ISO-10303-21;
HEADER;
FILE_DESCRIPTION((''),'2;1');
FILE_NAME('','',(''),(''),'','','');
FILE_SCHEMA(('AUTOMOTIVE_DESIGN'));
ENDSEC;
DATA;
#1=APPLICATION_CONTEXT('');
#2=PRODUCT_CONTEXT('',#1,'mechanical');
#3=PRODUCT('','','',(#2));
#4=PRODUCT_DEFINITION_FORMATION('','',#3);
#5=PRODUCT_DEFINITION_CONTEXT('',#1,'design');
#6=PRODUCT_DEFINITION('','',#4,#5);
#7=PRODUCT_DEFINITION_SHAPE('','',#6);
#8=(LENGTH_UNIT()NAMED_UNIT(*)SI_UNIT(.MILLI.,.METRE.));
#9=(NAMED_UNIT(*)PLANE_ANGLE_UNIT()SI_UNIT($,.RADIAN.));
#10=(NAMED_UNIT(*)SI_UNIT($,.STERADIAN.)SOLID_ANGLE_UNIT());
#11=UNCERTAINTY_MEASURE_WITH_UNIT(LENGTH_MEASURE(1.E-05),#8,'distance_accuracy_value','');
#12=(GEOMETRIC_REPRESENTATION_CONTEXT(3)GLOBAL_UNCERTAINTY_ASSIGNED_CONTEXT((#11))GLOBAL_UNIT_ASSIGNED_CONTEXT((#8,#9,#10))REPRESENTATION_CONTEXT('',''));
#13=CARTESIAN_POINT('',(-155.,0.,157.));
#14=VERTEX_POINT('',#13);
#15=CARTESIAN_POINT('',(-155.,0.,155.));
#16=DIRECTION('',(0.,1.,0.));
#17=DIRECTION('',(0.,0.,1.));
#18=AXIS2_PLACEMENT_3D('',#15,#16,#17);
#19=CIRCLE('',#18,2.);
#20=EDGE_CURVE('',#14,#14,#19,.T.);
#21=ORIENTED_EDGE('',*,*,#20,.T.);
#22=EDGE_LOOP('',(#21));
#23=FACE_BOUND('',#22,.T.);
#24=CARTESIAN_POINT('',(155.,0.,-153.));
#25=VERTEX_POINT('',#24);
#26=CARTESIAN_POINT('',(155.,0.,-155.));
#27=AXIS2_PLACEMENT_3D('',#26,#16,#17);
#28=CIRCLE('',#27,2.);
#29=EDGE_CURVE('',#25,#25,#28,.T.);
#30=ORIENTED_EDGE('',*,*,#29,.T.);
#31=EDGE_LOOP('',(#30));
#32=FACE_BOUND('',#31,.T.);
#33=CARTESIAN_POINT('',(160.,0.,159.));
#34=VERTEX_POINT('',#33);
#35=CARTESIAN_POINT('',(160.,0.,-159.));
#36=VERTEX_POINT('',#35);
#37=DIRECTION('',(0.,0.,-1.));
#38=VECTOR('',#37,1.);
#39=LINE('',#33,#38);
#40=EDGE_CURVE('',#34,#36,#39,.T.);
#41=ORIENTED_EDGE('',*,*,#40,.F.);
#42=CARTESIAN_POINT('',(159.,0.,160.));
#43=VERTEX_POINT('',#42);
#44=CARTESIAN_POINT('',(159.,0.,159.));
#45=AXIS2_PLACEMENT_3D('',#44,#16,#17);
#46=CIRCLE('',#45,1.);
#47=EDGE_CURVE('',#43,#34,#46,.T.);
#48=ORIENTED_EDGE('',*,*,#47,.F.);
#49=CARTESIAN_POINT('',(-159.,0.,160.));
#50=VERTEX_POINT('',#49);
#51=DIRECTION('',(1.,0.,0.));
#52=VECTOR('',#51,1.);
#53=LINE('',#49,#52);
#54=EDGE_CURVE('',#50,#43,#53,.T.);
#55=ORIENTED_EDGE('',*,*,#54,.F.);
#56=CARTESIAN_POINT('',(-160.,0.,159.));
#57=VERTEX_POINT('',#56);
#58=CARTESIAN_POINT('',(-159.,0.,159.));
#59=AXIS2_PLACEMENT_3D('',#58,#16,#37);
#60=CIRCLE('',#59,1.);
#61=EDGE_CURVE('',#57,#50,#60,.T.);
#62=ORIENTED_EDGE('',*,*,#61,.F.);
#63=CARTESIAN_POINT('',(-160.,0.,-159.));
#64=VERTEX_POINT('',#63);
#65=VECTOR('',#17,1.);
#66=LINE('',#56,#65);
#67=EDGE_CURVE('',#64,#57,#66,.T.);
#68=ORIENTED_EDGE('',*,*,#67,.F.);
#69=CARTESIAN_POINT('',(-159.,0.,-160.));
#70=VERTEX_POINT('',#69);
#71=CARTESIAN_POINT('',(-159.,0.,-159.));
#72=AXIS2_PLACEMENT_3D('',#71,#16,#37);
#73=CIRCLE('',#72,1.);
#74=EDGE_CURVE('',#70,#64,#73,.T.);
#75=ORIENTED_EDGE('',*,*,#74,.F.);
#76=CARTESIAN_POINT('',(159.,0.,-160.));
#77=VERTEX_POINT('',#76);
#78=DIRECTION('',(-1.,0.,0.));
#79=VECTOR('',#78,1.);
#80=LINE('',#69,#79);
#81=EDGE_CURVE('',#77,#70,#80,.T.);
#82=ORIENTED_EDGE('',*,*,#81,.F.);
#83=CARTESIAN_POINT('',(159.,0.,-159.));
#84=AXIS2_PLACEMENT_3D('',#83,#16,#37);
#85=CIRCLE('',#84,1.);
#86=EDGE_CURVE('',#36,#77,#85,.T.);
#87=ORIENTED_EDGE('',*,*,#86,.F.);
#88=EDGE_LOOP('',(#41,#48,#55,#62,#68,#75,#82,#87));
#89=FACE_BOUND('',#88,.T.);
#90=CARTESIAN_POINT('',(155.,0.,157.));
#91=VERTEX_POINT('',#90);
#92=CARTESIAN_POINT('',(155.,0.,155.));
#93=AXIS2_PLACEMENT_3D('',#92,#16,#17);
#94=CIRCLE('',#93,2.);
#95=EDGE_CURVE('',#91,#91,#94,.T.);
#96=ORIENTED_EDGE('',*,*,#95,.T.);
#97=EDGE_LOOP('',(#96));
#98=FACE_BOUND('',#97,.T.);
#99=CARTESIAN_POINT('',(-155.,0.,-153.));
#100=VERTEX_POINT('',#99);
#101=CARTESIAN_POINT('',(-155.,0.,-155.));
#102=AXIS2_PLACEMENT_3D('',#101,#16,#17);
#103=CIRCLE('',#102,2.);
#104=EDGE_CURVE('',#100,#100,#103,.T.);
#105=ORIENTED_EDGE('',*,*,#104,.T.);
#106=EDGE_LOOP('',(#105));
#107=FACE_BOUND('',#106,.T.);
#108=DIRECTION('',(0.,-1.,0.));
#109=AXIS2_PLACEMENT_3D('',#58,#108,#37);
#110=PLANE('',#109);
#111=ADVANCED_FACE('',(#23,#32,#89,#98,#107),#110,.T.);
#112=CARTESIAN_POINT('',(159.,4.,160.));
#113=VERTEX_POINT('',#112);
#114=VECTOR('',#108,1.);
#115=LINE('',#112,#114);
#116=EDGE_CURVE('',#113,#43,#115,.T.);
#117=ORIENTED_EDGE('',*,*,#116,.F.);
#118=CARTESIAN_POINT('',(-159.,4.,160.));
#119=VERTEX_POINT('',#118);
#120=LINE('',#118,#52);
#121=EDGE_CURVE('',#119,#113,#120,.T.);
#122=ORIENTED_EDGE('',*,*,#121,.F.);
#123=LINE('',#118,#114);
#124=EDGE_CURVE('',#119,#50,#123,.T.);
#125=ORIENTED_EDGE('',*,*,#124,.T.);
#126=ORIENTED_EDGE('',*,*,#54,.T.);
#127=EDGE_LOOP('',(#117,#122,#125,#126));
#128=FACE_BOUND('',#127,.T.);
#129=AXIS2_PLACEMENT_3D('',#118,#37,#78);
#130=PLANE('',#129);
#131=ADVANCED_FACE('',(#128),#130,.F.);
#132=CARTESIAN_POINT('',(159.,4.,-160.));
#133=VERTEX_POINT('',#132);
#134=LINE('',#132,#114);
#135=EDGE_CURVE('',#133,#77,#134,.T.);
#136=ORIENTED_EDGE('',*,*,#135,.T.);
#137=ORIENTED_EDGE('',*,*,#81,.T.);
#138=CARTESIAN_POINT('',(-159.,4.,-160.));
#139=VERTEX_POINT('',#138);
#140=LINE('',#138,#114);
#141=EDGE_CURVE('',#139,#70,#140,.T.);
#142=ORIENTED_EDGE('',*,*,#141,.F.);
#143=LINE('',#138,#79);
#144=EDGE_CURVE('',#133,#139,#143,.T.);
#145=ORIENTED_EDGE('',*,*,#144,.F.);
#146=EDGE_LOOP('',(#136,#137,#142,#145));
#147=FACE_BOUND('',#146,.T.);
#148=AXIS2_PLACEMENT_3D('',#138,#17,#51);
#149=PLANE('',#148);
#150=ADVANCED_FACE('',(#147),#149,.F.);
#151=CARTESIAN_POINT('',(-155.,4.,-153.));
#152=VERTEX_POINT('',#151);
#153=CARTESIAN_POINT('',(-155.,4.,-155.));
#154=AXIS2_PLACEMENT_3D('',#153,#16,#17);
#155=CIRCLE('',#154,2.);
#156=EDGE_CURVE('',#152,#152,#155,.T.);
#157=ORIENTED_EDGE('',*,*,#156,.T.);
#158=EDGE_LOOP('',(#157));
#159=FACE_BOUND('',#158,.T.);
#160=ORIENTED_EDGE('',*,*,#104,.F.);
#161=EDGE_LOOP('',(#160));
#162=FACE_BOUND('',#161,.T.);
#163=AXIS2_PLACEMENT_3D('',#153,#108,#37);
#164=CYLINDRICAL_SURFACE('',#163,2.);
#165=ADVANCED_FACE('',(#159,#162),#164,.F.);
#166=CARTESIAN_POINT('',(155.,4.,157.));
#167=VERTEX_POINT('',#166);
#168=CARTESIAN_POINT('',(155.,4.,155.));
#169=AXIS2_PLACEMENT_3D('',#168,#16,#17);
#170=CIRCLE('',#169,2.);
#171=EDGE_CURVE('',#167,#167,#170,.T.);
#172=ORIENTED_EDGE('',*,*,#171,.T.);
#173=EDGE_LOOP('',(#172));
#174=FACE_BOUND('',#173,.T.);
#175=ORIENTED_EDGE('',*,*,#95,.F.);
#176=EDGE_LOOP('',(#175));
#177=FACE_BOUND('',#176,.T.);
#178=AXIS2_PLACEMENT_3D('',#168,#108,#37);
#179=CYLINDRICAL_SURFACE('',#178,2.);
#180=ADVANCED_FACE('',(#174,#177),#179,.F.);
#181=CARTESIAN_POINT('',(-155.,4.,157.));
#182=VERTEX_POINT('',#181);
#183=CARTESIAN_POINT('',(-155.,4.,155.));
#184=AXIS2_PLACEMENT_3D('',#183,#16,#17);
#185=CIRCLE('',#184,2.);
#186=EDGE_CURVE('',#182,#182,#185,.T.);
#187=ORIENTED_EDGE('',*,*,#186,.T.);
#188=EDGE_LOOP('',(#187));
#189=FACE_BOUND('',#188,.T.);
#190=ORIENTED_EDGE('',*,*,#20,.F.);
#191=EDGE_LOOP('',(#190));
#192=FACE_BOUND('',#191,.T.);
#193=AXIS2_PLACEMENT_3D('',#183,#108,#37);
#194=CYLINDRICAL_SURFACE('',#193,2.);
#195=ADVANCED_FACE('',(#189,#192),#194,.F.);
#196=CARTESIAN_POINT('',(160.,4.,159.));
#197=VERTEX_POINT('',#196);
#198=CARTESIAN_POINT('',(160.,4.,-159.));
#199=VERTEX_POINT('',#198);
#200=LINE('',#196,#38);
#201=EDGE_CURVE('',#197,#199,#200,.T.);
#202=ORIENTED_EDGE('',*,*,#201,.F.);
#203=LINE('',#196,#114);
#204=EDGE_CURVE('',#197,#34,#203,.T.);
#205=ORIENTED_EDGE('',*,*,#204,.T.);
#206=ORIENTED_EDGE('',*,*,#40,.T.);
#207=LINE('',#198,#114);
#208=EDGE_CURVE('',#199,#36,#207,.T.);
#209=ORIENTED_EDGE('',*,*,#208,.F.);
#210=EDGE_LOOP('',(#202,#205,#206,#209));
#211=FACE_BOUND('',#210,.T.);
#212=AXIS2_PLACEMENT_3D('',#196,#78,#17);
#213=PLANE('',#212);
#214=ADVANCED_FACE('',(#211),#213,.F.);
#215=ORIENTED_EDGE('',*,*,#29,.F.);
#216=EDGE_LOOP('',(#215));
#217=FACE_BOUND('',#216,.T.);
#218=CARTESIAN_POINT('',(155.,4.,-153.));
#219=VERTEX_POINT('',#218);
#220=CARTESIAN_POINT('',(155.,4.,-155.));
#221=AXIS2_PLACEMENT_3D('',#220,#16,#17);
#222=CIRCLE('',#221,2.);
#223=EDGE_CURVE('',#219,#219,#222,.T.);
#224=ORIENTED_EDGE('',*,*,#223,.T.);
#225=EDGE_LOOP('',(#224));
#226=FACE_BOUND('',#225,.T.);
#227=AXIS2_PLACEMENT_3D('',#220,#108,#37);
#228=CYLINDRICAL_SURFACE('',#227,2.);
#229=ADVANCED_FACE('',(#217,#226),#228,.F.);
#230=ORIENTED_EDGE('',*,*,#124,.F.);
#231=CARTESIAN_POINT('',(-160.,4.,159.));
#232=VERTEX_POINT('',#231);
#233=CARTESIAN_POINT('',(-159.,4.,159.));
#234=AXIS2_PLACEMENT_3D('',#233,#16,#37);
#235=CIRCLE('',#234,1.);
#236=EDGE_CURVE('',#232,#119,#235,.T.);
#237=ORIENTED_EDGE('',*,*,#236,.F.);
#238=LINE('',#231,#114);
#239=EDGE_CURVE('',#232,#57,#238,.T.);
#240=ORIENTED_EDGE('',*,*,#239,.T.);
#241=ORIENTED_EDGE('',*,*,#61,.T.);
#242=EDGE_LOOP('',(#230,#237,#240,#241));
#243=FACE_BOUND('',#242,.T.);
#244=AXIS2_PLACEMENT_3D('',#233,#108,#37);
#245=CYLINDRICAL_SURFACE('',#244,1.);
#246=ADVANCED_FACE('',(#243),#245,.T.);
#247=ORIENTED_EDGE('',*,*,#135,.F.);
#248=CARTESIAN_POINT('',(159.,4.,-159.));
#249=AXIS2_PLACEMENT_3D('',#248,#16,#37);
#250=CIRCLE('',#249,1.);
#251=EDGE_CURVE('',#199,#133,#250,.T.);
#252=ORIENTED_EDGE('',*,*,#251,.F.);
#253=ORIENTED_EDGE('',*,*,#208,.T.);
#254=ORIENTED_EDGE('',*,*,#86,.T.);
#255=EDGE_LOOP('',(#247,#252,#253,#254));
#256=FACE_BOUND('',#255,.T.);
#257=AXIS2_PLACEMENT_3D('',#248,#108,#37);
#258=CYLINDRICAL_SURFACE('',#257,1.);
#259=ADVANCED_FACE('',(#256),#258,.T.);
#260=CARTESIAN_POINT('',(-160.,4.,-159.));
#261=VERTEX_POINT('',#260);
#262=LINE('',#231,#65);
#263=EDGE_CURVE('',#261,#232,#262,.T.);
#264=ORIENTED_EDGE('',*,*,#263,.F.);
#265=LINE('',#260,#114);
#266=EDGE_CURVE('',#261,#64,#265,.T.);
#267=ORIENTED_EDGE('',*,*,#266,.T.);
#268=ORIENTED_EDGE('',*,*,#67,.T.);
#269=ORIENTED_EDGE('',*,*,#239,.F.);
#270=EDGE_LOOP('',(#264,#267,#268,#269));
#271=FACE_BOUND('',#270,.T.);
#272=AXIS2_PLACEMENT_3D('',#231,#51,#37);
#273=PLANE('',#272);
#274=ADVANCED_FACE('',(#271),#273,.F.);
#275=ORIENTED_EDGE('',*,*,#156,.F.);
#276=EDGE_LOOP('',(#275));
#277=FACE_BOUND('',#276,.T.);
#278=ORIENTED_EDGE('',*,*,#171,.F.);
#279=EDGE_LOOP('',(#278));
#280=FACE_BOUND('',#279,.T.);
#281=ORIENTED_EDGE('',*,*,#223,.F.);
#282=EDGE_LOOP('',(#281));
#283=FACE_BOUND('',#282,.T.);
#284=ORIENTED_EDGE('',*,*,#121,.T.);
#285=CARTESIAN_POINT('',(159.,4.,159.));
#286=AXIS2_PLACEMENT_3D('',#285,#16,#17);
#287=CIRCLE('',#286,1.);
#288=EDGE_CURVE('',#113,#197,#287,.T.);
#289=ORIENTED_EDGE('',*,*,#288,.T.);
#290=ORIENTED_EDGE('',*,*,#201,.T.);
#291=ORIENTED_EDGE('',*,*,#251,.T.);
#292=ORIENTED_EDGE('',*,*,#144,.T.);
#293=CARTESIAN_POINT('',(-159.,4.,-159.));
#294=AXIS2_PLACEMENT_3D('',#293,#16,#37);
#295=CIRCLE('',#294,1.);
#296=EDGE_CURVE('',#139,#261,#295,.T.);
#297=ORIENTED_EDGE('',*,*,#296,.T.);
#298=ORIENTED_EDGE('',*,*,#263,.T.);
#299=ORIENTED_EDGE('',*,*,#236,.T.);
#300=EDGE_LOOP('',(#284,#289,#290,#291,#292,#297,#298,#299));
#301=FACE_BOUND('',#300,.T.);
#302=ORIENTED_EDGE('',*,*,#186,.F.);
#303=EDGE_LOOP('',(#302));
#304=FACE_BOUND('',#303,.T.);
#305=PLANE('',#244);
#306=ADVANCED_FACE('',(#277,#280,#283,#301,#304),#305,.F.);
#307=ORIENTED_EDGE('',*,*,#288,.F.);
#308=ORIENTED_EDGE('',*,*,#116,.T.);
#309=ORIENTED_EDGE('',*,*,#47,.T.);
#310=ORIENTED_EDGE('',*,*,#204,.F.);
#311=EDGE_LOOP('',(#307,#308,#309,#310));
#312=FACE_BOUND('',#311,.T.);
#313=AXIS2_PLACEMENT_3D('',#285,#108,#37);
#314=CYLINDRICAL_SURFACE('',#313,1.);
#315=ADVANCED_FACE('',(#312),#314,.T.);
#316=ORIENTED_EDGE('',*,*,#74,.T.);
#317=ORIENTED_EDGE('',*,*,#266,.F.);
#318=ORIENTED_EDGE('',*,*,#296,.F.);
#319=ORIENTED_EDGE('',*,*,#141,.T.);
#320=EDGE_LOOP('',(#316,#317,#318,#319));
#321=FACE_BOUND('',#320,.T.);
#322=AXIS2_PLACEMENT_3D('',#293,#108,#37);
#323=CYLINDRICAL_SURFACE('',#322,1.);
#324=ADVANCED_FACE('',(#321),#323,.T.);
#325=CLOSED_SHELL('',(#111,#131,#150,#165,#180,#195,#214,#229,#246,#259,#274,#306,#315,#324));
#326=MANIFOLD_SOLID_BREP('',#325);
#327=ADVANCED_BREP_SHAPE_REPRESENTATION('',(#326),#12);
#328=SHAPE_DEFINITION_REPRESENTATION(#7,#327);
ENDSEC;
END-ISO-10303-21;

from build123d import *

# Parameters (mm, degrees)
SKETCH_1_R      = 2
EXTRUDE_1_DEPTH = 4


with BuildPart() as part:
    # Эскиз1 → Бобышка-Вытянуть1 (new body)
    with BuildSketch(Plane(origin=(0, 0, 0), x_dir=(1, 0, 0), z_dir=(0, 1, 0))):
        with BuildLine():
            Line((-159, -160), (159, -160))
            ThreePointArc((159, -160), (159.707106781, -159.707106781), (160, -159))
            Line((160, -159), (160, 159))
            ThreePointArc((160, 159), (159.707106781, 159.707106781), (159, 160))
            Line((159, 160), (-159, 160))
            ThreePointArc((-159, 160), (-159.707106781, 159.707106781), (-160, 159))
            Line((-160, 159), (-160, -159))
            ThreePointArc((-160, -159), (-159.707106781, -159.707106781), (-159, -160))
        make_face()
        with Locations(Location((-155, 155, 0), (0, 0, 270))):
            Circle(SKETCH_1_R, mode=Mode.SUBTRACT)
        with Locations(Location((155, 155, 0), (0, 0, 270))):
            Circle(SKETCH_1_R, mode=Mode.SUBTRACT)
        with Locations(Location((-155, -155, 0), (0, 0, 270))):
            Circle(SKETCH_1_R, mode=Mode.SUBTRACT)
        with Locations(Location((155, -155, 0), (0, 0, 270))):
            Circle(SKETCH_1_R, mode=Mode.SUBTRACT)
    extrude(amount=EXTRUDE_1_DEPTH)


solid = part.part
